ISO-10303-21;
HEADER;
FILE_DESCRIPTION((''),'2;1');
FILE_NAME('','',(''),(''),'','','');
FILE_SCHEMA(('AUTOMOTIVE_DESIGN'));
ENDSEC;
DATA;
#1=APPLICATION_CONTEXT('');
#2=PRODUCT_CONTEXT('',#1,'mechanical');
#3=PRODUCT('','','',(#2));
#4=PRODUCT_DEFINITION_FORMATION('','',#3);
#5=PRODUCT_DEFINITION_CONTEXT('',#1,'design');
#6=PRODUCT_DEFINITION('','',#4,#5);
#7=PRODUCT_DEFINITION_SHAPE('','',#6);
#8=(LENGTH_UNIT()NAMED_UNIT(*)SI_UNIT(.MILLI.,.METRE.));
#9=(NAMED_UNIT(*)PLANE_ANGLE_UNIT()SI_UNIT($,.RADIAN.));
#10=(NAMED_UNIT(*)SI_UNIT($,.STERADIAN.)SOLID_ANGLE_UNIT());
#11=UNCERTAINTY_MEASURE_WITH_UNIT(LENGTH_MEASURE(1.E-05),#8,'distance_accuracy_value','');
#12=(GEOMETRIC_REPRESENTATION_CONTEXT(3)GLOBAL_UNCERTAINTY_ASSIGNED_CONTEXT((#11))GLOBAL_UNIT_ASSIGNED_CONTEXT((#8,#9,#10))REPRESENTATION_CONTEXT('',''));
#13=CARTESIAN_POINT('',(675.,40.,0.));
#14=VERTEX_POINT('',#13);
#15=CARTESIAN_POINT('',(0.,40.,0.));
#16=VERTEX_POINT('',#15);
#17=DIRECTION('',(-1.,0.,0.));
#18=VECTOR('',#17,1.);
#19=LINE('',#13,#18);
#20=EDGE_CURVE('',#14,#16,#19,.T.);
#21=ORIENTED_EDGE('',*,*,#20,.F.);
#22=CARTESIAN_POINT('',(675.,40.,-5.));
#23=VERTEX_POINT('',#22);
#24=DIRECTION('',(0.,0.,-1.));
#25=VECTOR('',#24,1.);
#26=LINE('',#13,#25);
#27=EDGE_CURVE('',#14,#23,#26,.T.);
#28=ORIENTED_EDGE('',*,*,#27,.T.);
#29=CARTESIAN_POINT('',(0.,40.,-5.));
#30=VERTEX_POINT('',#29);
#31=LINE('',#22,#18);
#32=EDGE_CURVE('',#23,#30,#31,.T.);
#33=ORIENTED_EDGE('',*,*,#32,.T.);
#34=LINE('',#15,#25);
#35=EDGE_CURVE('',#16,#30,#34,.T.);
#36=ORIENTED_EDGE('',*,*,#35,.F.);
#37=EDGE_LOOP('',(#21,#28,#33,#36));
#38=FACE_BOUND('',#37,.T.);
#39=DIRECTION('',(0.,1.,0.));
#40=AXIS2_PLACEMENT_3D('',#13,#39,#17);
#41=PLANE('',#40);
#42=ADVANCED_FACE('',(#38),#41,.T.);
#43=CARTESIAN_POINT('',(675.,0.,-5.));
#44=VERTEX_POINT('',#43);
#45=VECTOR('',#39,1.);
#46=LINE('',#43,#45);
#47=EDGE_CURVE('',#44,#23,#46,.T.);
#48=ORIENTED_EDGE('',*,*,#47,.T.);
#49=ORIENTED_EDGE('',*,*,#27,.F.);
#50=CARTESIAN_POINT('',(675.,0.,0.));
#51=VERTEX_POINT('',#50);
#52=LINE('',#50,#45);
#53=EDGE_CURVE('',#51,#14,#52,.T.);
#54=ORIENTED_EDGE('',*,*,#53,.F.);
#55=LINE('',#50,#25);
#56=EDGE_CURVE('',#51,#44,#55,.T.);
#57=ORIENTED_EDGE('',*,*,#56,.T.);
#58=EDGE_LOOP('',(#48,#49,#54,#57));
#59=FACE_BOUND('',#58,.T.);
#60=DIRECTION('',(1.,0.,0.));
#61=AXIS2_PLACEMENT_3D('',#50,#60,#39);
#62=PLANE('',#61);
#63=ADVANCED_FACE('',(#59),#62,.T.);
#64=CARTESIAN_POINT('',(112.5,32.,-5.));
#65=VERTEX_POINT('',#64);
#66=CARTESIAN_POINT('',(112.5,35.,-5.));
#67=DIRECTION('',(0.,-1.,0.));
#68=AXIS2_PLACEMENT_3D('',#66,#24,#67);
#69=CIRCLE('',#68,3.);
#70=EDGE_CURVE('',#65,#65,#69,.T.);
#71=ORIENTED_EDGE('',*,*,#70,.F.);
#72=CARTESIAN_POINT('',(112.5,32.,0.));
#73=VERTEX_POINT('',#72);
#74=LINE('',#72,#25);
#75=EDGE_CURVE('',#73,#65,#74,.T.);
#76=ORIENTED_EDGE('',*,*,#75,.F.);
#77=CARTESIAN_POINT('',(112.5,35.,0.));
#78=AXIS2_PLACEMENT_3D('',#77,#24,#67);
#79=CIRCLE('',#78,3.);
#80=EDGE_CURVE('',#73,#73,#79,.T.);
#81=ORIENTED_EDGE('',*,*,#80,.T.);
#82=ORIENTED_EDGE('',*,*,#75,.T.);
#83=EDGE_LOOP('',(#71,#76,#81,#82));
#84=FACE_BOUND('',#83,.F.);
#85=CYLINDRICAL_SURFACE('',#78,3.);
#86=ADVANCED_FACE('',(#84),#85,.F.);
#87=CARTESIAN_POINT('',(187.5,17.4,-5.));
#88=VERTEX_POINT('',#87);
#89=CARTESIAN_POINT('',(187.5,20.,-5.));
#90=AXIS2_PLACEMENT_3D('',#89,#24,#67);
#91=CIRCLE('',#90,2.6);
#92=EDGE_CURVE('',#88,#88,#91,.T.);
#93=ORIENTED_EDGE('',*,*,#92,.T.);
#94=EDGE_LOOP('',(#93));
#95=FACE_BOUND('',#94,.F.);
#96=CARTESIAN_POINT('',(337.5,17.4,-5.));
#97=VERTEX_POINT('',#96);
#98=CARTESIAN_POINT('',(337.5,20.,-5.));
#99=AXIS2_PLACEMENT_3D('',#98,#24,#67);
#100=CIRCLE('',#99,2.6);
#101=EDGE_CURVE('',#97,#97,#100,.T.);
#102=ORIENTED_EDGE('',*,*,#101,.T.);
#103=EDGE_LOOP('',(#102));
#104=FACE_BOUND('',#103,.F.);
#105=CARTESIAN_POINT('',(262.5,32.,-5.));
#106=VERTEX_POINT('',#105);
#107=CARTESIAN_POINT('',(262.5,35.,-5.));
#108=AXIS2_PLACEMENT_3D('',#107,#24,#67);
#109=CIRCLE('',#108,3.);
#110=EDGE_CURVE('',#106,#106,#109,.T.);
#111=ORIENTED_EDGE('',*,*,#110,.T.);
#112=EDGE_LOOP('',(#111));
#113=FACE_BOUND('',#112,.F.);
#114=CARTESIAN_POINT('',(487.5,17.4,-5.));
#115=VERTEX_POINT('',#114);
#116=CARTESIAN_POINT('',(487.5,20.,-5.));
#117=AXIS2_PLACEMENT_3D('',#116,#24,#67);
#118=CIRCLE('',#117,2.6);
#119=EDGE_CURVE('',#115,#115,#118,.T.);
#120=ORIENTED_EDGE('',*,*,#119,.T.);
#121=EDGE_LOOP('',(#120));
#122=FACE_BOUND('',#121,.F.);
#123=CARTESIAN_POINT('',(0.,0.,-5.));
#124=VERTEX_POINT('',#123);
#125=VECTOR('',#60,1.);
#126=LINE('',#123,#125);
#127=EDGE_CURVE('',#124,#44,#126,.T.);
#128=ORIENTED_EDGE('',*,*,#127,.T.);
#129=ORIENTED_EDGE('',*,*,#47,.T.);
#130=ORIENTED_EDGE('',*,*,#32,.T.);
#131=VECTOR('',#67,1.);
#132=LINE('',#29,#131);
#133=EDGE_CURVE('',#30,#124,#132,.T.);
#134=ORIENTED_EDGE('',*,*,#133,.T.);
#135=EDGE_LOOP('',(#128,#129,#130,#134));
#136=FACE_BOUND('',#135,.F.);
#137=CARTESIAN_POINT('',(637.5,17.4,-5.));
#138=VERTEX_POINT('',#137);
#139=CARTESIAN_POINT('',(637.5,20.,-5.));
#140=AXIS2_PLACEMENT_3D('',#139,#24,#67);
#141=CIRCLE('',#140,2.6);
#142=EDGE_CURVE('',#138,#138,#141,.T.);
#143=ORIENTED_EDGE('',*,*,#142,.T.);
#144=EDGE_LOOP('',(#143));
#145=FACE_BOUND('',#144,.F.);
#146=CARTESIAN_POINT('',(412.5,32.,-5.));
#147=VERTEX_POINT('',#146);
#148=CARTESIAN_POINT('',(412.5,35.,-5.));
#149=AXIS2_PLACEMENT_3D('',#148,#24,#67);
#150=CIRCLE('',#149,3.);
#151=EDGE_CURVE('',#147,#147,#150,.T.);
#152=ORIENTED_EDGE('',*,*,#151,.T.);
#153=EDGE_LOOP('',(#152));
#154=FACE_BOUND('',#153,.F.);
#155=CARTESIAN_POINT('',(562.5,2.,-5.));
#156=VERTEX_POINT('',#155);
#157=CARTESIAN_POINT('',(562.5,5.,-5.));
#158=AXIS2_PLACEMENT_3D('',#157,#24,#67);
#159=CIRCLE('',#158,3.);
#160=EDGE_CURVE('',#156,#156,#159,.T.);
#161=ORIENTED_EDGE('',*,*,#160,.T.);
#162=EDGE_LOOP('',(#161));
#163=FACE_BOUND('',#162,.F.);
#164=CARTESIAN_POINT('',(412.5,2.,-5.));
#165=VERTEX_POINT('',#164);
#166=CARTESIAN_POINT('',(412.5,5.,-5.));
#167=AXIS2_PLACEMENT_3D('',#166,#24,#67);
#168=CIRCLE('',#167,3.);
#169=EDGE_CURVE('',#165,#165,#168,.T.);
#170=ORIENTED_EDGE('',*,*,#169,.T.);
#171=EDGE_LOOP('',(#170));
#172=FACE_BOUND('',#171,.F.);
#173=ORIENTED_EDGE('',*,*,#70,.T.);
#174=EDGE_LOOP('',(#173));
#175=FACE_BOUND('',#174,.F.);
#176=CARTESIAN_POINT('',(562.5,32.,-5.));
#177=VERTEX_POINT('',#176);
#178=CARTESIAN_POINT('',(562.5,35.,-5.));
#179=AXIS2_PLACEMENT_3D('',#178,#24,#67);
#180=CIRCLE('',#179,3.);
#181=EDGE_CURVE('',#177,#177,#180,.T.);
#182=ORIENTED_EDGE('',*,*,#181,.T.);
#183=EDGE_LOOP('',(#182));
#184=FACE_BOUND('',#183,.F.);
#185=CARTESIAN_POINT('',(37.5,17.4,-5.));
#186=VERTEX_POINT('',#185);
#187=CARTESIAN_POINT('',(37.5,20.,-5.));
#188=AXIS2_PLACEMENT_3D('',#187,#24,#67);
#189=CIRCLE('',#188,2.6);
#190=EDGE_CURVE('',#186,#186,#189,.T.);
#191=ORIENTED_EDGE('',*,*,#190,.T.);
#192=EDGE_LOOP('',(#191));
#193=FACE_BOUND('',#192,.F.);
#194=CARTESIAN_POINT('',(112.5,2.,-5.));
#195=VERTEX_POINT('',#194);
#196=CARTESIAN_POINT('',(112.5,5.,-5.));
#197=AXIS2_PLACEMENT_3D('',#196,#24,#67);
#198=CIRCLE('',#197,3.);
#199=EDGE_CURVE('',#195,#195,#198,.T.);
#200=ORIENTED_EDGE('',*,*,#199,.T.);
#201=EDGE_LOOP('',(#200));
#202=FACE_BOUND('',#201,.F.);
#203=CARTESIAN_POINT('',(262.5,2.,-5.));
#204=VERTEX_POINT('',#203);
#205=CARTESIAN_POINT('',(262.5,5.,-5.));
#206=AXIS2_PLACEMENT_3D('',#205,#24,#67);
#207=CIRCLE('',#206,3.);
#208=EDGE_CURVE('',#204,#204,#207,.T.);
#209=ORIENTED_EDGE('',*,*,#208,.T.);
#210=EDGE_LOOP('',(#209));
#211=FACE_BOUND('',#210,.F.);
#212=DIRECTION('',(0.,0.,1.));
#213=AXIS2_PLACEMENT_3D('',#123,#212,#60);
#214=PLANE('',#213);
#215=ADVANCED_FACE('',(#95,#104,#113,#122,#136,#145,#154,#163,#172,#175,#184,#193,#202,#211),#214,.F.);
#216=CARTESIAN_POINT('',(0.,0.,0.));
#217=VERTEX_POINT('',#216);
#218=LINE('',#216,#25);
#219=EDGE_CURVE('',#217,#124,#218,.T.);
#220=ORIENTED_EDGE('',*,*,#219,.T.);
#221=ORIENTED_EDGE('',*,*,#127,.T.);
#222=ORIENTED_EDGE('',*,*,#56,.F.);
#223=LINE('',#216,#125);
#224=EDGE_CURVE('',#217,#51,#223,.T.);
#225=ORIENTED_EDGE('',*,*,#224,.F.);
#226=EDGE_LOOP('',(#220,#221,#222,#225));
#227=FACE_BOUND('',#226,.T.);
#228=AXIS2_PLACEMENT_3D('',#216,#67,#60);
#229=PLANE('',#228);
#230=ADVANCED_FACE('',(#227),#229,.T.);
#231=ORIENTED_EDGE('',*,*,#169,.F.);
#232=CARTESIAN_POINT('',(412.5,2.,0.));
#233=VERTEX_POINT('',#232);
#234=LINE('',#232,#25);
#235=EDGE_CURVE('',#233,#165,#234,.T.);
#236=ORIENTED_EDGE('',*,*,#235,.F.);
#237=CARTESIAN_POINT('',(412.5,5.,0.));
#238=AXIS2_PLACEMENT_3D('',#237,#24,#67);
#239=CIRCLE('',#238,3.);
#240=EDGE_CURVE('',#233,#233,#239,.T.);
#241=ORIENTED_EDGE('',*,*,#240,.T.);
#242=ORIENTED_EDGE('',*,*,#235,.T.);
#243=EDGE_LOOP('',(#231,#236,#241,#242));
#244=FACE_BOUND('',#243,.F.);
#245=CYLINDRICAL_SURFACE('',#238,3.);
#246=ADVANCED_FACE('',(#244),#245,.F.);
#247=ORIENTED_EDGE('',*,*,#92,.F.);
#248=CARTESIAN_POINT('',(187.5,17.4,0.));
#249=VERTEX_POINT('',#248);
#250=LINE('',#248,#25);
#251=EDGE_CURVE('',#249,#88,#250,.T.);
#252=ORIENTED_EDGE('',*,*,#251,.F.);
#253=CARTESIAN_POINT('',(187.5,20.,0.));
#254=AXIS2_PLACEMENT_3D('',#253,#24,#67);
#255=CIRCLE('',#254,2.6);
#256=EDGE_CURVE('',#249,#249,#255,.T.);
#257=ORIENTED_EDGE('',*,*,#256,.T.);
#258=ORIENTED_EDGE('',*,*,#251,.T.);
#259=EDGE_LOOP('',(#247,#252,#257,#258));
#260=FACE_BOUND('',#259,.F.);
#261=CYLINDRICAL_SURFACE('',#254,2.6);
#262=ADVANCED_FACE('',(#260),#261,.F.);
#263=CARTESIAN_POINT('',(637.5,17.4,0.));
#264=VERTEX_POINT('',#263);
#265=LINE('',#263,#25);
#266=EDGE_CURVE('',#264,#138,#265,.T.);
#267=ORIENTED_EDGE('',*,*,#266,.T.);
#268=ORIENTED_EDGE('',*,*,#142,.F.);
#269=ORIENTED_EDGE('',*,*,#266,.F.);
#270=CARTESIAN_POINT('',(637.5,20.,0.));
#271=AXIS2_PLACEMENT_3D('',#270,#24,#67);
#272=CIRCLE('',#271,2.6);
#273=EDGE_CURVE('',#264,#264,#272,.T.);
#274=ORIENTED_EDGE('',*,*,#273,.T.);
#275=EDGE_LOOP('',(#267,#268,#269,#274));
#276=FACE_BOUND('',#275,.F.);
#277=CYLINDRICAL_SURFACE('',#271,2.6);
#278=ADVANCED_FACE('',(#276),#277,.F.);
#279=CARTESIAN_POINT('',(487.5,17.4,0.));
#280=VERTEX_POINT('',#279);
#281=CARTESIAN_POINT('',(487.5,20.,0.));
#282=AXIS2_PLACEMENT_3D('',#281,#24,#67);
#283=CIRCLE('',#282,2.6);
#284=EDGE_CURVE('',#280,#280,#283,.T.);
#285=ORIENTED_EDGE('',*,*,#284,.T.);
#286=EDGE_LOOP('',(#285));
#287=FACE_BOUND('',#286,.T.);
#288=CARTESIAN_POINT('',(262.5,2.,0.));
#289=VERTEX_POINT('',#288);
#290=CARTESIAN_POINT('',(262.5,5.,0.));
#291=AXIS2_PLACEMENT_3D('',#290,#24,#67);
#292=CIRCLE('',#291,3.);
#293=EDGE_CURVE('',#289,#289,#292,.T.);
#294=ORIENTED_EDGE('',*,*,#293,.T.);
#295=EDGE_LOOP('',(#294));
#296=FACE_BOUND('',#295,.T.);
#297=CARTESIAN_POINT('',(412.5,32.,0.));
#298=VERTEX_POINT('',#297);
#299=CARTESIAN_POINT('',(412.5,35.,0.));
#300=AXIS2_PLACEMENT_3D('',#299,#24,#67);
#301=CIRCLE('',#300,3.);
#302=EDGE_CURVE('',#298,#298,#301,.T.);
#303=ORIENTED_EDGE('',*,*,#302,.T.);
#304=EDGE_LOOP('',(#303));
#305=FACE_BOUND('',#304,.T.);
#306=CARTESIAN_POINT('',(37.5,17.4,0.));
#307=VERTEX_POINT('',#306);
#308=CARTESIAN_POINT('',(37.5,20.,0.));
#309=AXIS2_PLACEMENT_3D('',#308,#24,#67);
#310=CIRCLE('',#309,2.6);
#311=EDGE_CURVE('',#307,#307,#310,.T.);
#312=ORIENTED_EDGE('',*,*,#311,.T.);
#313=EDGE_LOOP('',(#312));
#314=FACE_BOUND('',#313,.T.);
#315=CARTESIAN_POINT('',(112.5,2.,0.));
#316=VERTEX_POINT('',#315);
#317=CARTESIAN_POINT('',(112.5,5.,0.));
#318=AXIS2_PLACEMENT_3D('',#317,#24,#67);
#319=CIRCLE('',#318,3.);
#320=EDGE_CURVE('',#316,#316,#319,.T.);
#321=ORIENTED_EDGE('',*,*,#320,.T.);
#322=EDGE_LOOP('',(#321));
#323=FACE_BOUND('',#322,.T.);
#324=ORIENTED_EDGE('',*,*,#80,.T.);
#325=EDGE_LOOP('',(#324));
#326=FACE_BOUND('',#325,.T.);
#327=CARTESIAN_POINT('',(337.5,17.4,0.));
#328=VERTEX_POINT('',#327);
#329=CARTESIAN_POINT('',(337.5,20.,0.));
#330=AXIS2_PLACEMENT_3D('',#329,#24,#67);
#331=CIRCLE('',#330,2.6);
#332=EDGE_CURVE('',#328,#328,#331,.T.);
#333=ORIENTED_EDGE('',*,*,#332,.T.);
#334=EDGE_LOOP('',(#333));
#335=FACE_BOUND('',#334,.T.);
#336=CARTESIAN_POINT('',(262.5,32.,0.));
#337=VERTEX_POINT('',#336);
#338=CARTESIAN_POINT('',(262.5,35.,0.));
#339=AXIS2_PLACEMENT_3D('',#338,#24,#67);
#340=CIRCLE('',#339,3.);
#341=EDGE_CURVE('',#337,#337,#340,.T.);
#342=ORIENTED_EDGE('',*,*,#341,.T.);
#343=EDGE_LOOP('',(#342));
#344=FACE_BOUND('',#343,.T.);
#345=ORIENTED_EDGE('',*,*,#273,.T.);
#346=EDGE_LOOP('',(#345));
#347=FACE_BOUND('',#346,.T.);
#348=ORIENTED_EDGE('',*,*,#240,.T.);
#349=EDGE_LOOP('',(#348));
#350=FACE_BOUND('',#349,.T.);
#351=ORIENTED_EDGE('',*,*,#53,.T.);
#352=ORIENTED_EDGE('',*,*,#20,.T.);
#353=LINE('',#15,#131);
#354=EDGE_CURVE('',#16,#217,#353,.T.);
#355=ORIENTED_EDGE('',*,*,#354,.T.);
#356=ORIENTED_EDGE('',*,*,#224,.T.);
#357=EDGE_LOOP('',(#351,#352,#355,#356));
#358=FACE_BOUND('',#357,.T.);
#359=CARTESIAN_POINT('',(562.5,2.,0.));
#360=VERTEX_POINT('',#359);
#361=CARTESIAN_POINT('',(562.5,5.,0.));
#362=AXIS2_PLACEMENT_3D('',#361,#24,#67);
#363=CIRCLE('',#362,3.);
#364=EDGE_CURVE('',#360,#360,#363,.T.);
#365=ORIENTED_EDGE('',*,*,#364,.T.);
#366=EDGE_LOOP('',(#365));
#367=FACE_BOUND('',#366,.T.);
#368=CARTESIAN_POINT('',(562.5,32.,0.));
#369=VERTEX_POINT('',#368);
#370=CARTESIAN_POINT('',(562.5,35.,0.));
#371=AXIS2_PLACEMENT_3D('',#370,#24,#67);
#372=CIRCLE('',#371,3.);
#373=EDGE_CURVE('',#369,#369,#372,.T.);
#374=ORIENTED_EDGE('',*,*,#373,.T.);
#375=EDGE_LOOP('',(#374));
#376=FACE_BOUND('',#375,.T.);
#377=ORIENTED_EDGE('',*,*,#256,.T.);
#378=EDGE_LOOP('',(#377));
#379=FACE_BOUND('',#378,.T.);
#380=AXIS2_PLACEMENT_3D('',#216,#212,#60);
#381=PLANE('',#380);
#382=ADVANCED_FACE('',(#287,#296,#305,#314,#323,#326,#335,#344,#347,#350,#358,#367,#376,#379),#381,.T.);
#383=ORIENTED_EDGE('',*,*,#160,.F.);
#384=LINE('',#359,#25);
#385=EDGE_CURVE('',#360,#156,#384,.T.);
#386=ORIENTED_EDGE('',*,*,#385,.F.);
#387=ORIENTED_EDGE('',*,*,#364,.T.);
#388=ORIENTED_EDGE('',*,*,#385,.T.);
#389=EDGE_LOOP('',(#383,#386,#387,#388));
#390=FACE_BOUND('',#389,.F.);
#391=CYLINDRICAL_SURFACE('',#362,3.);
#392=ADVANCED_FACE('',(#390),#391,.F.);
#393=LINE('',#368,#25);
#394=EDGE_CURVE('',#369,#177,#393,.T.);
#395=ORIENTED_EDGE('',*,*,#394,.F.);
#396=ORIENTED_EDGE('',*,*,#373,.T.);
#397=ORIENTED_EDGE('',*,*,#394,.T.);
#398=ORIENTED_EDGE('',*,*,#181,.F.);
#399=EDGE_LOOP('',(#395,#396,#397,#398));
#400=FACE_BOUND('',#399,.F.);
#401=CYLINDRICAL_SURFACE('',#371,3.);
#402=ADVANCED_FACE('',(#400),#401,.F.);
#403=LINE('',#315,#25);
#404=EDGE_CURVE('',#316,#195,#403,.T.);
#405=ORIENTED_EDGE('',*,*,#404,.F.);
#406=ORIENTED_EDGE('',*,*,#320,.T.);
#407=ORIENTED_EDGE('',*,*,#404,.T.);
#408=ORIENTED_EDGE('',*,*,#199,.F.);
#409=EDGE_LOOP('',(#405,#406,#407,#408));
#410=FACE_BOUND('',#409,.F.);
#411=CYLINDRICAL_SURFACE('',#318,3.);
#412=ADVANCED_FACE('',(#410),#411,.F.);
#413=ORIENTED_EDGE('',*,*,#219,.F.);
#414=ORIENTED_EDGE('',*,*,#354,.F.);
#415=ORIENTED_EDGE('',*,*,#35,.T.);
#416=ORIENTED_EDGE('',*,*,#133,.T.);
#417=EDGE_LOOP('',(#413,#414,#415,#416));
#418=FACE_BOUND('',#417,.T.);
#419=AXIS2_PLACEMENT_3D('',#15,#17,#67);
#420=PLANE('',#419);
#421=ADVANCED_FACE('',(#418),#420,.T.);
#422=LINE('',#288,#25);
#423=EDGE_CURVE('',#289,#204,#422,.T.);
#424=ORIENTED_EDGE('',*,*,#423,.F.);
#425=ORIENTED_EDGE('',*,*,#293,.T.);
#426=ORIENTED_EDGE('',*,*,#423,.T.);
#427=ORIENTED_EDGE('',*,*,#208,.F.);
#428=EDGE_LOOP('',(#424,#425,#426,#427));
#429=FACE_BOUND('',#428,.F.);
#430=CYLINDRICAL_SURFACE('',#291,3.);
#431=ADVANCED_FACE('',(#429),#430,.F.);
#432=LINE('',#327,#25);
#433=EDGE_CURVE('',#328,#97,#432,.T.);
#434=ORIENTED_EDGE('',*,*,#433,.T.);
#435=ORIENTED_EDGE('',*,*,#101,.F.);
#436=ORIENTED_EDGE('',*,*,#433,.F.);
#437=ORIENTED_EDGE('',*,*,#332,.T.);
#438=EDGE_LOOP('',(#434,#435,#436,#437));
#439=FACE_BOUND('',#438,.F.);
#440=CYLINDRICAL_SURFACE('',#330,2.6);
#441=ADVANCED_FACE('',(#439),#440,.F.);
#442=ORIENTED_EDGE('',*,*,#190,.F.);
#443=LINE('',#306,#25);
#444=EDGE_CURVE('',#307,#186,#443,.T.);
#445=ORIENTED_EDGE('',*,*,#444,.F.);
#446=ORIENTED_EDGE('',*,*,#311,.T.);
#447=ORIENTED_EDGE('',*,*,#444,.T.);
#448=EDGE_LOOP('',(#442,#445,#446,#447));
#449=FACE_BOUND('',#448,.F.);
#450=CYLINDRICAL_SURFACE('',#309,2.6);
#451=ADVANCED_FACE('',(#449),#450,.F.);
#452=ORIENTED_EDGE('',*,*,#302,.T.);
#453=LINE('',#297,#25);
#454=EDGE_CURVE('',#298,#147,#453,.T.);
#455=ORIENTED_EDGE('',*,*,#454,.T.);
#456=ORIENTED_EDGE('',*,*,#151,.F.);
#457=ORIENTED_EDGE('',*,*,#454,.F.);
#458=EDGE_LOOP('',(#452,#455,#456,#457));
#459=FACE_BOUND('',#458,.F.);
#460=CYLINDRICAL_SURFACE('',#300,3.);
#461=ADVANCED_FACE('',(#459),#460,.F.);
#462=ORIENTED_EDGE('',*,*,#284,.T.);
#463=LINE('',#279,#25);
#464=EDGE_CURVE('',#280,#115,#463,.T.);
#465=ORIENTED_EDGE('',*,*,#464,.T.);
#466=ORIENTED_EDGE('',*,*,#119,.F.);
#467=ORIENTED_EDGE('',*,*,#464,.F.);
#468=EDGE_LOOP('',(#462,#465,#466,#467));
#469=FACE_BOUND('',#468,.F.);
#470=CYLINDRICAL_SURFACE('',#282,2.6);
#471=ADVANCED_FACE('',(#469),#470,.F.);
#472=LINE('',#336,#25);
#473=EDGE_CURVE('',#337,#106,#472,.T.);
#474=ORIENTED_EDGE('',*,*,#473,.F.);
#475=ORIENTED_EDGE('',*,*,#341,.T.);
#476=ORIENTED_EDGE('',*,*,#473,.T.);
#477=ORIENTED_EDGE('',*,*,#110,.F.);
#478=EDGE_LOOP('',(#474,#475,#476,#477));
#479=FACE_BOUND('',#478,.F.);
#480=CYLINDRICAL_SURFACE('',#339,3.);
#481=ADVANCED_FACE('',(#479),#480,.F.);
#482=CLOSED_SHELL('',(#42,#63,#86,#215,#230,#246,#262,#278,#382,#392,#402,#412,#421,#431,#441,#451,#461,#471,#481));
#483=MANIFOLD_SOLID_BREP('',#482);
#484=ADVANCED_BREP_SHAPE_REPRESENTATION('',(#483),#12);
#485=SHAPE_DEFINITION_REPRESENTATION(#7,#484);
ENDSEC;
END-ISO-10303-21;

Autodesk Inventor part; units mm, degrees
ref_plane "YZ Plane" through (0, 0, 0) normal (1, 0, 0) x (0, 1, 0)
ref_plane "XZ Plane" through (0, 0, 0) normal (0, 1, 0) x (-1, 0, 0)
ref_plane "XY Plane" through (0, 0, 0) normal (0, 0, 1) x (1, 0, 0)
sketch "Sketch1" plane through (0, 0, 0) normal (0, 0, 1) x (1, 0, 0)
  line L0 (0, 0) -> (675, 0)
  line L1 (675, 0) -> (675, 40)
  line L2 (675, 40) -> (0, 40)
  line L3 (0, 40) -> (0, 0)
  line L4 (0, 20) -> (675, 20) construction
  line L5 (0, 5) -> (675, 5) construction
  line L6 (0, 35) -> (675, 35) construction
  line L7 (337.5, 40) -> (337.5, 0) construction
  circle A0 centre (37.5, 20) radius 2.6
  circle A1 centre (187.5, 20) radius 2.6
  circle A2 centre (337.5, 20) radius 2.6
  circle A3 centre (487.5, 20) radius 2.6
  circle A4 centre (637.5, 20) radius 2.6
  circle A5 centre (112.5, 5) radius 3
  circle A6 centre (262.5, 5) radius 3
  circle A7 centre (412.5, 5) radius 3
  circle A8 centre (562.5, 5) radius 3
  circle A9 centre (112.5, 35) radius 3
  circle A10 centre (262.5, 35) radius 3
  circle A11 centre (412.5, 35) radius 3
  circle A12 centre (562.5, 35) radius 3
  point P0 (37.5, 20)
  point P1 (112.5, 5)
  point P2 (262.5, 5)
  point P3 (412.5, 5)
  point P4 (562.5, 5)
  dimension "d16" = 675
  dimension "d17" = 40
  dimension "d20" = 37.5
  dimension "d22" = 5.2
  dimension "d25" = 150
  dimension "d31" = 75
  dimension "d32" = 6
  dimension "d35" = 150
  dimension "d42" = 150
  dimension "d47" = 30
extrude "Extrusion1" add sketch "Sketch1" against normal blind 5 contours L3 L2 L1 L0 | A0 | A1 | A2 | A3 | A4 | A5 | A6 | A7 | A8 | A9 | A10 | A11 | A12
hole "Hole1" at (37.5, 20, 0) at (187.5, 20, 0) at (337.5, 20, 0) at (487.5, 20, 0) at (637.5, 20, 0) direction (0, 0, -1) diameter 5.2 end through all
hole "Hole2" at (112.5, 5, 0) at (262.5, 5, 0) at (412.5, 5, 0) at (562.5, 5, 0) at (112.5, 35, 0) at (262.5, 35, 0) at (412.5, 35, 0) at (562.5, 35, 0) direction (0, 0, -1) diameter 6 end through all
thread "Thread9" size "M6x1" class "6H" standard "ISO Metric profile" full length
thread "Thread10" size "M6x1" class "6H" standard "ISO Metric profile" full length
thread "Thread11" size "M6x1" class "6H" standard "ISO Metric profile" full length
thread "Thread12" size "M6x1" class "6H" standard "ISO Metric profile" full length
thread "Thread13" size "M6x1" class "6H" standard "ISO Metric profile" full length
thread "Thread14" size "M6x1" class "6H" standard "ISO Metric profile" full length
thread "Thread15" size "M6x1" class "6H" standard "ISO Metric profile" full length
thread "Thread16" size "M6x1" class "6H" standard "ISO Metric profile" full length
properties part number "Rail_bracket" material "Stainless Steel"
